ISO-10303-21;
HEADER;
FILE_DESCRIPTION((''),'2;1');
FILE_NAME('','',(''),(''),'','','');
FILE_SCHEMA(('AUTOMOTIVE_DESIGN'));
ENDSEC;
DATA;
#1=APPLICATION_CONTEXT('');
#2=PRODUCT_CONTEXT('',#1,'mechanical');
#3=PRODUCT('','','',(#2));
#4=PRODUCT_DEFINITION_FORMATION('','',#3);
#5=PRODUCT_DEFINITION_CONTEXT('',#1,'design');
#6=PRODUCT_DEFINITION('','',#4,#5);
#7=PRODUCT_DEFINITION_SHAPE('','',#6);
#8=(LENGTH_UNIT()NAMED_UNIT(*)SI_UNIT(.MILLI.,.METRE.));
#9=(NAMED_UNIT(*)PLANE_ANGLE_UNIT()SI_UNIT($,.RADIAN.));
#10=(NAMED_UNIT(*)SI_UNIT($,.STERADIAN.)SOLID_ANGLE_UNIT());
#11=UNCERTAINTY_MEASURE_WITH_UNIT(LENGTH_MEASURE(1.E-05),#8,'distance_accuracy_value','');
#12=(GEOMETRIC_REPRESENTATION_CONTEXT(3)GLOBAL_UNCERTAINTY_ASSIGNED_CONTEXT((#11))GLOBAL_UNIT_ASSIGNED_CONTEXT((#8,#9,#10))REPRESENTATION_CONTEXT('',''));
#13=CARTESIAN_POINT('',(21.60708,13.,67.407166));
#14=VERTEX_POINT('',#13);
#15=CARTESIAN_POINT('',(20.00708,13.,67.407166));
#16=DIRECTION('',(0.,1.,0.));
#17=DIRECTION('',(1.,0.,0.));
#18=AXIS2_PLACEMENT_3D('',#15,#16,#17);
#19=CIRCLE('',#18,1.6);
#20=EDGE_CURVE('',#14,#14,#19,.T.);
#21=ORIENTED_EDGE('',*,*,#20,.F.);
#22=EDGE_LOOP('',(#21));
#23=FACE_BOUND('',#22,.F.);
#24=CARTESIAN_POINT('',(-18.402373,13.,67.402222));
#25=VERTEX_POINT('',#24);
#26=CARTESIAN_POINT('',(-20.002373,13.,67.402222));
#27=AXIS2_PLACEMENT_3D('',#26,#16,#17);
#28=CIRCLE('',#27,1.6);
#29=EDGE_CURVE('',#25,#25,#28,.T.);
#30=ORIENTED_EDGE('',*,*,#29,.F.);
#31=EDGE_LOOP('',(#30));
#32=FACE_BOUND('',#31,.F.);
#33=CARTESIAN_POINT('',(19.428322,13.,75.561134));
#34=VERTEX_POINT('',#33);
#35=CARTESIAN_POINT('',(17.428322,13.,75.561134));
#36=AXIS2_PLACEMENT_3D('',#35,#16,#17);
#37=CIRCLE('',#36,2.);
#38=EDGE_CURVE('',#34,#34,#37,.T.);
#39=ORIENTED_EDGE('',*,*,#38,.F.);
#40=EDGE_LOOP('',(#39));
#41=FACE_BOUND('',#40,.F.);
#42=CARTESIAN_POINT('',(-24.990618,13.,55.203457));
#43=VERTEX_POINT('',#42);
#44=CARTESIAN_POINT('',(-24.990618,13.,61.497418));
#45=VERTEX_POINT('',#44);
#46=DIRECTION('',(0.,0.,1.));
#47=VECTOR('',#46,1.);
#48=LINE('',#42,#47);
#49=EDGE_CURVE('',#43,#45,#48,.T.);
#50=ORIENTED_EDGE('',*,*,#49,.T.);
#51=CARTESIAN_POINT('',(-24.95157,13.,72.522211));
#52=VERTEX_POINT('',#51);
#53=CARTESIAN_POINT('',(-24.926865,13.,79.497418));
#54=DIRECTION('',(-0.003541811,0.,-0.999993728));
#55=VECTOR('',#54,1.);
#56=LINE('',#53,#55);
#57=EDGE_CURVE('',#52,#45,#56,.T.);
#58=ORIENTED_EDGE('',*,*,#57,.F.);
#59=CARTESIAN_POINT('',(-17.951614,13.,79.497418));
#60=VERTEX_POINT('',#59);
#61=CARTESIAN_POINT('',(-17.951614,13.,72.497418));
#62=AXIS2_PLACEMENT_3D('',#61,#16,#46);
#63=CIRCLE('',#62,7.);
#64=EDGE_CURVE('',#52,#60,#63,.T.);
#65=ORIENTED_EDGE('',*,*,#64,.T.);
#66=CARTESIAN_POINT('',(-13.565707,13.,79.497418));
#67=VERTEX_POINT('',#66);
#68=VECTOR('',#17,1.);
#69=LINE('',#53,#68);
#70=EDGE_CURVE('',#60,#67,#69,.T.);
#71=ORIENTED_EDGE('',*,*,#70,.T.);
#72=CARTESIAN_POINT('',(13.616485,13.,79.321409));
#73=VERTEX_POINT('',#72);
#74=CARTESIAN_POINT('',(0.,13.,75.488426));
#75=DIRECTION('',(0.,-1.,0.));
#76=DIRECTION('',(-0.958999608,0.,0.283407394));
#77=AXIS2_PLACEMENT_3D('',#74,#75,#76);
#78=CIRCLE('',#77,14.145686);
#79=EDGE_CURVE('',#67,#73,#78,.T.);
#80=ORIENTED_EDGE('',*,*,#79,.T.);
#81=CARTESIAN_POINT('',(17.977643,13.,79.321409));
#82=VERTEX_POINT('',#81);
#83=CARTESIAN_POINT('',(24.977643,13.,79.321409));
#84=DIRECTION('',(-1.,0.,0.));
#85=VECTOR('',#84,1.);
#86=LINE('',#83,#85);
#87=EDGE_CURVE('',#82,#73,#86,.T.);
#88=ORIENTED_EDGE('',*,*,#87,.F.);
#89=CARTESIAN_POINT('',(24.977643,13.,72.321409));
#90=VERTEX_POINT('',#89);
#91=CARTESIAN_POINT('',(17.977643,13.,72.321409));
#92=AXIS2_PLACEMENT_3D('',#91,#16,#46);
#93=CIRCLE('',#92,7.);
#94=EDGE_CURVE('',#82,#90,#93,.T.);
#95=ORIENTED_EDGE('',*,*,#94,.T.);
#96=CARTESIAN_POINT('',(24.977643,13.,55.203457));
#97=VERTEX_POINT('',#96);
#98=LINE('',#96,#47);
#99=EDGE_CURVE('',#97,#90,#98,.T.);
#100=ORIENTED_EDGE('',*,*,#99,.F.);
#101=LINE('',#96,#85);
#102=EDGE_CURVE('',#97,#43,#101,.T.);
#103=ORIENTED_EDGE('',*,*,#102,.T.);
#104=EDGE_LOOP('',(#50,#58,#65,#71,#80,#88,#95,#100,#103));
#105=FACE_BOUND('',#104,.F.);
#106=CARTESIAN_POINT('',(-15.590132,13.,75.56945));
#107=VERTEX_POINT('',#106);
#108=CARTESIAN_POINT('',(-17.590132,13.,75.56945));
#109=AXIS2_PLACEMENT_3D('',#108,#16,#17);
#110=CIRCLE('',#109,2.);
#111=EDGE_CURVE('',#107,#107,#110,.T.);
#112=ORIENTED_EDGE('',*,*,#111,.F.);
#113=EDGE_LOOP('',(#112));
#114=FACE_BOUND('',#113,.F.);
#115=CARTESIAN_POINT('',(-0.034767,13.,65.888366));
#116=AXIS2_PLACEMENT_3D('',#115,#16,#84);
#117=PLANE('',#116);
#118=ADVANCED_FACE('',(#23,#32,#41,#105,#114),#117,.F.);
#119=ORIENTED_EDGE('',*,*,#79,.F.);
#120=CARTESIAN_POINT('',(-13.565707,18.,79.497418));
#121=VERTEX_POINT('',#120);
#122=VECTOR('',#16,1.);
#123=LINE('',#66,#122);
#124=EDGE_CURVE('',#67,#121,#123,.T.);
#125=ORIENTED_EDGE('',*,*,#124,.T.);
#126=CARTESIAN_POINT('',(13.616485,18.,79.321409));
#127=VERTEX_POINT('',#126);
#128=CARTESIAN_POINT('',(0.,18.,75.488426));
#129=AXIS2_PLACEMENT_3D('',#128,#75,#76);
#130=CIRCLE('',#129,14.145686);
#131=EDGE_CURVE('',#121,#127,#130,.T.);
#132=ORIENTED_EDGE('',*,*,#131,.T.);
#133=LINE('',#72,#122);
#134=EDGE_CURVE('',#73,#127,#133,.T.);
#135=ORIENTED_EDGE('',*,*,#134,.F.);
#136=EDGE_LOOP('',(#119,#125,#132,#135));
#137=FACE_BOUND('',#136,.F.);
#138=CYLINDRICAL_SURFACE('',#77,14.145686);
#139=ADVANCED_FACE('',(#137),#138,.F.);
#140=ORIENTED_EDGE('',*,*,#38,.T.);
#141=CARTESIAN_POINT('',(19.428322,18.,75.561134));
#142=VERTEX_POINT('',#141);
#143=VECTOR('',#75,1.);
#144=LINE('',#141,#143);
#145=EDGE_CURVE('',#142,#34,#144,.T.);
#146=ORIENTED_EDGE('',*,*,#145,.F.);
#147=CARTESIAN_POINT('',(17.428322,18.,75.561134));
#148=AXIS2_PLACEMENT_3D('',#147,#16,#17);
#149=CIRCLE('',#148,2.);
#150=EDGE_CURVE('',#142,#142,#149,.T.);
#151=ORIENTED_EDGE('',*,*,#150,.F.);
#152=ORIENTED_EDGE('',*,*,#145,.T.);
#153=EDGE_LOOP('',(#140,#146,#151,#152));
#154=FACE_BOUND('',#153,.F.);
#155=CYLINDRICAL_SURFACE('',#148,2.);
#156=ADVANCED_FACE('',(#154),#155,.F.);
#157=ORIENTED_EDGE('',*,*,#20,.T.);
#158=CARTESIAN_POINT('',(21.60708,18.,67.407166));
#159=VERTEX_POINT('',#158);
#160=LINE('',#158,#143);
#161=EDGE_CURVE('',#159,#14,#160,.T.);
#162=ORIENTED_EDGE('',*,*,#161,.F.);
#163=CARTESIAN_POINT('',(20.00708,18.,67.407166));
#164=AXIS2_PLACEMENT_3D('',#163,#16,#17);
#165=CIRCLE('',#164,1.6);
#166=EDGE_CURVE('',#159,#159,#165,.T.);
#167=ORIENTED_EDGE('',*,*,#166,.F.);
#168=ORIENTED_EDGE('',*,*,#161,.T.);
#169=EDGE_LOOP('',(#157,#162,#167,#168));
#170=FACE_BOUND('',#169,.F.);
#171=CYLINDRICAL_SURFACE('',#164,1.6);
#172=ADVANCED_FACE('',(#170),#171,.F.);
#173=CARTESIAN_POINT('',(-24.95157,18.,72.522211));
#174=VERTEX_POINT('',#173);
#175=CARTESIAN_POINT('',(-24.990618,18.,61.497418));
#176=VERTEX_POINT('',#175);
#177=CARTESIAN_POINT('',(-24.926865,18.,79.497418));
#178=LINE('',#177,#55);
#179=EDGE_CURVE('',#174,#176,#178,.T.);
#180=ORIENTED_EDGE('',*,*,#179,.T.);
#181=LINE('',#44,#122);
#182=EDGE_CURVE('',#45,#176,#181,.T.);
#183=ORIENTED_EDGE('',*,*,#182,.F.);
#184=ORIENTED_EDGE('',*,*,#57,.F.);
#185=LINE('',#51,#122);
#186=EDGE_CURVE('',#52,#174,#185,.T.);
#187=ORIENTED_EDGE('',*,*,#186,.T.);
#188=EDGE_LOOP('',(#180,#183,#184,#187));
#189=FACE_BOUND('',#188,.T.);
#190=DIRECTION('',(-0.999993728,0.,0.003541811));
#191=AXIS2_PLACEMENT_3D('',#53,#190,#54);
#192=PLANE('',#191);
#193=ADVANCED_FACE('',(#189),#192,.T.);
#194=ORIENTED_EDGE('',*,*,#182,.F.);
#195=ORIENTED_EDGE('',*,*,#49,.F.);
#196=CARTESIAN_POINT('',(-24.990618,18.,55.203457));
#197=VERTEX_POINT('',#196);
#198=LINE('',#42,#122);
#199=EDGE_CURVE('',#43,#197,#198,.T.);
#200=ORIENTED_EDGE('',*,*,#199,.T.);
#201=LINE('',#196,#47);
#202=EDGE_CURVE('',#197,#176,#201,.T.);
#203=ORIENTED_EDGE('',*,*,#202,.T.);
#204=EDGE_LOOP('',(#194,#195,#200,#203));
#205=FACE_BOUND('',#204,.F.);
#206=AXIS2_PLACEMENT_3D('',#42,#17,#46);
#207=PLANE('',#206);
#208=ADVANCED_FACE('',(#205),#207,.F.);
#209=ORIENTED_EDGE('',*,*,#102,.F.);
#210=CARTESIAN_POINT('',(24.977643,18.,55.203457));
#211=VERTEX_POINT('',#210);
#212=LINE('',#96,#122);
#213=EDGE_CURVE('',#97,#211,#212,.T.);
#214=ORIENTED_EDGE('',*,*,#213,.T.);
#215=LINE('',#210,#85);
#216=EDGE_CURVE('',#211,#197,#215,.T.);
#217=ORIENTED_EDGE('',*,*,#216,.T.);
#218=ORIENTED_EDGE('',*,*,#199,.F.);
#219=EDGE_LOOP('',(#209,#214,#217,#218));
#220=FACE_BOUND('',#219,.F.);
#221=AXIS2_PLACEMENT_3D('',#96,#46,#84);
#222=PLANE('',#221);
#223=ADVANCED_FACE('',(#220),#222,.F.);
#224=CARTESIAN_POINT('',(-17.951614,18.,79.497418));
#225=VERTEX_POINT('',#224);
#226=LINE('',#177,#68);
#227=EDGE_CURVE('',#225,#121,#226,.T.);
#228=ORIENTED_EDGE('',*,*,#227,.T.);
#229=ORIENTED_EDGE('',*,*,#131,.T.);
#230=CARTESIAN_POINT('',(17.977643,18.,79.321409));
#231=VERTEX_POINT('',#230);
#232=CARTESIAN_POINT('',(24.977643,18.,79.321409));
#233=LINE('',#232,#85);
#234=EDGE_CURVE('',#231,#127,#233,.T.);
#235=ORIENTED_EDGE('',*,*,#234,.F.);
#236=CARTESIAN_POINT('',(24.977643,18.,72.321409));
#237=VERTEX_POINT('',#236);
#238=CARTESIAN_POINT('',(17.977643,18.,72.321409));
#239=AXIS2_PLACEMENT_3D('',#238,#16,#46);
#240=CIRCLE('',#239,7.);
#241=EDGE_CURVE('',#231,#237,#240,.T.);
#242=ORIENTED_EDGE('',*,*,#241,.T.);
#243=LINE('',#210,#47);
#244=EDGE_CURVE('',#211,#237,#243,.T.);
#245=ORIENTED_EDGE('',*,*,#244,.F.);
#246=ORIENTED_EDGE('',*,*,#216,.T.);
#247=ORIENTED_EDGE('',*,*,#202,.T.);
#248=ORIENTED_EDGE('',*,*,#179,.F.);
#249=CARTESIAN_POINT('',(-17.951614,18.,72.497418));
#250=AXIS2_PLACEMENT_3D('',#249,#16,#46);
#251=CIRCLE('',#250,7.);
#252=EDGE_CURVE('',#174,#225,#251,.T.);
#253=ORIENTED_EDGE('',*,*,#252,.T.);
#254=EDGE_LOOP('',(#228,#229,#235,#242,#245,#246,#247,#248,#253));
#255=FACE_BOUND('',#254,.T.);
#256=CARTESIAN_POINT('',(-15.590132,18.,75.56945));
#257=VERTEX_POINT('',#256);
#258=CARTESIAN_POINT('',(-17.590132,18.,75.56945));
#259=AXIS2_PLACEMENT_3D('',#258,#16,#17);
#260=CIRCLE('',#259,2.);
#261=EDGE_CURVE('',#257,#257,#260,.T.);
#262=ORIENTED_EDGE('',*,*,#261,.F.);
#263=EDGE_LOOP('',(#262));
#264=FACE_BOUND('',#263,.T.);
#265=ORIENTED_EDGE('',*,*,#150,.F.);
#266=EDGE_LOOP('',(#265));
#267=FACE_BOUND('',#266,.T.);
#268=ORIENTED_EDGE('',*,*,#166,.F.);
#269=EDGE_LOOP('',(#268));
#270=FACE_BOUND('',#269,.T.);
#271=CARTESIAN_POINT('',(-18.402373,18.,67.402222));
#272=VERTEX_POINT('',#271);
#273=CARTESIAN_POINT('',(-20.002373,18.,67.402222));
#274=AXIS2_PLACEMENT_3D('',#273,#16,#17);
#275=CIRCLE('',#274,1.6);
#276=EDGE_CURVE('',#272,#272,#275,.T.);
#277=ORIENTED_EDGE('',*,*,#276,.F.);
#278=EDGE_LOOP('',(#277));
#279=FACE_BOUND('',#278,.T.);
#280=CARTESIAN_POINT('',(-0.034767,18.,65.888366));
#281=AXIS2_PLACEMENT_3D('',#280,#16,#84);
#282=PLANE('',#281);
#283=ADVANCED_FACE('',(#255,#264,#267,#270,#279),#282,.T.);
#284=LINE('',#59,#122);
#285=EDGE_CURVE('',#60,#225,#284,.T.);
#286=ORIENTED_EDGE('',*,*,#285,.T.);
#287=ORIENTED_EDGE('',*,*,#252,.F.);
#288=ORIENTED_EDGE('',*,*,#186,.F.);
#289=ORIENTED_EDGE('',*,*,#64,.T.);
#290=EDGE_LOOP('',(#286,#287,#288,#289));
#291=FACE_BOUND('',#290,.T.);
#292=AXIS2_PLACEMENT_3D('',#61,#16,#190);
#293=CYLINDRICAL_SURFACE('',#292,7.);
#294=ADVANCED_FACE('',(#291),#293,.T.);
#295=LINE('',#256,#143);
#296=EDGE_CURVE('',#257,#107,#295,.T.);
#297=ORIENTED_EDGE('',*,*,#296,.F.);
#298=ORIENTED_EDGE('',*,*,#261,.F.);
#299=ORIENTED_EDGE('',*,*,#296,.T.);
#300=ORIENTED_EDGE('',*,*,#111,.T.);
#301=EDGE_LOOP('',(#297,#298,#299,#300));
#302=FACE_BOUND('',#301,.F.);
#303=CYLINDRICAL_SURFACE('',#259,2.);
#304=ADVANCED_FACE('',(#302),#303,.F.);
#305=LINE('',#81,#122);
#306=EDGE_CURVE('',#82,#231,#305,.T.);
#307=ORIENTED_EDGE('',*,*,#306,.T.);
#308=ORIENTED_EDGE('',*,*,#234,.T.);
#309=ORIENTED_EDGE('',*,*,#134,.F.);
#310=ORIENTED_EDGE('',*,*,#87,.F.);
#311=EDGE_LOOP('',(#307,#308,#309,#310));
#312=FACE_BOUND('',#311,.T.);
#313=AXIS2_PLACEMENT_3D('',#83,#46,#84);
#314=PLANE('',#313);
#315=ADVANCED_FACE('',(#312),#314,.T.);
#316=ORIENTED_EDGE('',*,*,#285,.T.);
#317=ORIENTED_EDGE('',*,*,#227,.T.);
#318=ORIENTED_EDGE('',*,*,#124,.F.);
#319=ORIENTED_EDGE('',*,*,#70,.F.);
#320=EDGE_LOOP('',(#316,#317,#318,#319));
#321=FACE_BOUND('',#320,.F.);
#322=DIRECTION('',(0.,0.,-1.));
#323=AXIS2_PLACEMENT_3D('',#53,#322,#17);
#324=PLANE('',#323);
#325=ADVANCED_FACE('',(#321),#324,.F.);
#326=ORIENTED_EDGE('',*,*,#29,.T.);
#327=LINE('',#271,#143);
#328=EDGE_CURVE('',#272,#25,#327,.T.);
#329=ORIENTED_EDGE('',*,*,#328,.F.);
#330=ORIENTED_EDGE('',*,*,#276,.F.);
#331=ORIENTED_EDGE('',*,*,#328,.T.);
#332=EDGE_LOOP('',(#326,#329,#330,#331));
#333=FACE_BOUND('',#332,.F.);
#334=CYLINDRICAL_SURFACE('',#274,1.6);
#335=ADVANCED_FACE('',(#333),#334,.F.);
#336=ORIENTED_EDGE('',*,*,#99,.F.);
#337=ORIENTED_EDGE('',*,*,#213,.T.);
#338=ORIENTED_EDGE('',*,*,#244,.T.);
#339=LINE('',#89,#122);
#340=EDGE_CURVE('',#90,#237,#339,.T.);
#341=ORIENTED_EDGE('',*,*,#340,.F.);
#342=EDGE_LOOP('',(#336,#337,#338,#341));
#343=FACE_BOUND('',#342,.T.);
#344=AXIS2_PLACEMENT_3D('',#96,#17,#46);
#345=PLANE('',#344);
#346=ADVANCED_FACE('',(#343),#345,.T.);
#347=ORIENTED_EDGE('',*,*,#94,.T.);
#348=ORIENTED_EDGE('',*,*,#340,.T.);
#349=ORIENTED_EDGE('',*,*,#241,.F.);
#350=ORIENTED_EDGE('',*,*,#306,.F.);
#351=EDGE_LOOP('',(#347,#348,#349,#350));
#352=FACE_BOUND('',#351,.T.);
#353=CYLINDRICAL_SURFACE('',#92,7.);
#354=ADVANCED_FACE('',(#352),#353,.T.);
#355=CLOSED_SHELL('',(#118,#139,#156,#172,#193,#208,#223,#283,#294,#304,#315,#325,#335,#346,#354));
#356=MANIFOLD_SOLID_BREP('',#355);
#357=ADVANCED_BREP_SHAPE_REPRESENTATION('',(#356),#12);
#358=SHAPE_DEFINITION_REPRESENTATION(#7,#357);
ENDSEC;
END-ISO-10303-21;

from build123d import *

# Parameters (mm, degrees)
PAD018_DEPTH    = 5
FILLET_R        = 7
SKETCH045_R     = 2
SKETCH045_R_2   = 1.6
POCKET014_DEPTH = 5


with BuildPart() as part:
    # Sketch044 → Pad018 (new body)
    with BuildSketch(Plane.XZ):
        with BuildLine():
            ThreePointArc((-13.565707, 79.497418), (-0.091594, 61.343037), (13.616485, 79.321409))
            Line((24.977643, 79.321409), (13.616485, 79.321409))
            Line((24.977643, 61.321409), (24.977643, 79.321409))
            Line((24.977643, 61.321409), (24.977643, 55.203457))
            Line((24.977643, 55.203457), (-24.990618, 55.203457))
            Line((-24.990618, 55.203457), (-24.990618, 61.497418))
            Line((-24.926865, 79.497418), (-24.990618, 61.497418))
            Line((-24.926865, 79.497418), (-13.565707, 79.497418))
        make_face()
    extrude(amount=-PAD018_DEPTH)

    # Fillet
    fillet_edges = [part.edges().sort_by_distance(p)[0] for p in [
        (24.977643, 2.5, 79.321409),
        (-24.926865, 2.5, 79.497418),
    ]]
    fillet(fillet_edges, radius=FILLET_R)

    # Sketch045 (on Face5 of Fillet) → Pocket014 (cut)
    with BuildSketch(Plane(origin=(0, 5, 0), x_dir=(1, 0, 0), z_dir=(0, 1, 0))):
        with Locations((-17.590132, -75.56945)):
            Circle(SKETCH045_R)
        with Locations((17.428322, -75.561134)):
            Circle(SKETCH045_R)
        with Locations((-20.002373, -67.402222)):
            Circle(SKETCH045_R_2)
        with Locations((20.00708, -67.407166)):
            Circle(SKETCH045_R_2)
    extrude(amount=-POCKET014_DEPTH, mode=Mode.SUBTRACT)


with BuildPart() as part_1:
    # Body020 placement: moved
    add(part.part.moved(Location((0, 13, 0))))


solid = part_1.part
